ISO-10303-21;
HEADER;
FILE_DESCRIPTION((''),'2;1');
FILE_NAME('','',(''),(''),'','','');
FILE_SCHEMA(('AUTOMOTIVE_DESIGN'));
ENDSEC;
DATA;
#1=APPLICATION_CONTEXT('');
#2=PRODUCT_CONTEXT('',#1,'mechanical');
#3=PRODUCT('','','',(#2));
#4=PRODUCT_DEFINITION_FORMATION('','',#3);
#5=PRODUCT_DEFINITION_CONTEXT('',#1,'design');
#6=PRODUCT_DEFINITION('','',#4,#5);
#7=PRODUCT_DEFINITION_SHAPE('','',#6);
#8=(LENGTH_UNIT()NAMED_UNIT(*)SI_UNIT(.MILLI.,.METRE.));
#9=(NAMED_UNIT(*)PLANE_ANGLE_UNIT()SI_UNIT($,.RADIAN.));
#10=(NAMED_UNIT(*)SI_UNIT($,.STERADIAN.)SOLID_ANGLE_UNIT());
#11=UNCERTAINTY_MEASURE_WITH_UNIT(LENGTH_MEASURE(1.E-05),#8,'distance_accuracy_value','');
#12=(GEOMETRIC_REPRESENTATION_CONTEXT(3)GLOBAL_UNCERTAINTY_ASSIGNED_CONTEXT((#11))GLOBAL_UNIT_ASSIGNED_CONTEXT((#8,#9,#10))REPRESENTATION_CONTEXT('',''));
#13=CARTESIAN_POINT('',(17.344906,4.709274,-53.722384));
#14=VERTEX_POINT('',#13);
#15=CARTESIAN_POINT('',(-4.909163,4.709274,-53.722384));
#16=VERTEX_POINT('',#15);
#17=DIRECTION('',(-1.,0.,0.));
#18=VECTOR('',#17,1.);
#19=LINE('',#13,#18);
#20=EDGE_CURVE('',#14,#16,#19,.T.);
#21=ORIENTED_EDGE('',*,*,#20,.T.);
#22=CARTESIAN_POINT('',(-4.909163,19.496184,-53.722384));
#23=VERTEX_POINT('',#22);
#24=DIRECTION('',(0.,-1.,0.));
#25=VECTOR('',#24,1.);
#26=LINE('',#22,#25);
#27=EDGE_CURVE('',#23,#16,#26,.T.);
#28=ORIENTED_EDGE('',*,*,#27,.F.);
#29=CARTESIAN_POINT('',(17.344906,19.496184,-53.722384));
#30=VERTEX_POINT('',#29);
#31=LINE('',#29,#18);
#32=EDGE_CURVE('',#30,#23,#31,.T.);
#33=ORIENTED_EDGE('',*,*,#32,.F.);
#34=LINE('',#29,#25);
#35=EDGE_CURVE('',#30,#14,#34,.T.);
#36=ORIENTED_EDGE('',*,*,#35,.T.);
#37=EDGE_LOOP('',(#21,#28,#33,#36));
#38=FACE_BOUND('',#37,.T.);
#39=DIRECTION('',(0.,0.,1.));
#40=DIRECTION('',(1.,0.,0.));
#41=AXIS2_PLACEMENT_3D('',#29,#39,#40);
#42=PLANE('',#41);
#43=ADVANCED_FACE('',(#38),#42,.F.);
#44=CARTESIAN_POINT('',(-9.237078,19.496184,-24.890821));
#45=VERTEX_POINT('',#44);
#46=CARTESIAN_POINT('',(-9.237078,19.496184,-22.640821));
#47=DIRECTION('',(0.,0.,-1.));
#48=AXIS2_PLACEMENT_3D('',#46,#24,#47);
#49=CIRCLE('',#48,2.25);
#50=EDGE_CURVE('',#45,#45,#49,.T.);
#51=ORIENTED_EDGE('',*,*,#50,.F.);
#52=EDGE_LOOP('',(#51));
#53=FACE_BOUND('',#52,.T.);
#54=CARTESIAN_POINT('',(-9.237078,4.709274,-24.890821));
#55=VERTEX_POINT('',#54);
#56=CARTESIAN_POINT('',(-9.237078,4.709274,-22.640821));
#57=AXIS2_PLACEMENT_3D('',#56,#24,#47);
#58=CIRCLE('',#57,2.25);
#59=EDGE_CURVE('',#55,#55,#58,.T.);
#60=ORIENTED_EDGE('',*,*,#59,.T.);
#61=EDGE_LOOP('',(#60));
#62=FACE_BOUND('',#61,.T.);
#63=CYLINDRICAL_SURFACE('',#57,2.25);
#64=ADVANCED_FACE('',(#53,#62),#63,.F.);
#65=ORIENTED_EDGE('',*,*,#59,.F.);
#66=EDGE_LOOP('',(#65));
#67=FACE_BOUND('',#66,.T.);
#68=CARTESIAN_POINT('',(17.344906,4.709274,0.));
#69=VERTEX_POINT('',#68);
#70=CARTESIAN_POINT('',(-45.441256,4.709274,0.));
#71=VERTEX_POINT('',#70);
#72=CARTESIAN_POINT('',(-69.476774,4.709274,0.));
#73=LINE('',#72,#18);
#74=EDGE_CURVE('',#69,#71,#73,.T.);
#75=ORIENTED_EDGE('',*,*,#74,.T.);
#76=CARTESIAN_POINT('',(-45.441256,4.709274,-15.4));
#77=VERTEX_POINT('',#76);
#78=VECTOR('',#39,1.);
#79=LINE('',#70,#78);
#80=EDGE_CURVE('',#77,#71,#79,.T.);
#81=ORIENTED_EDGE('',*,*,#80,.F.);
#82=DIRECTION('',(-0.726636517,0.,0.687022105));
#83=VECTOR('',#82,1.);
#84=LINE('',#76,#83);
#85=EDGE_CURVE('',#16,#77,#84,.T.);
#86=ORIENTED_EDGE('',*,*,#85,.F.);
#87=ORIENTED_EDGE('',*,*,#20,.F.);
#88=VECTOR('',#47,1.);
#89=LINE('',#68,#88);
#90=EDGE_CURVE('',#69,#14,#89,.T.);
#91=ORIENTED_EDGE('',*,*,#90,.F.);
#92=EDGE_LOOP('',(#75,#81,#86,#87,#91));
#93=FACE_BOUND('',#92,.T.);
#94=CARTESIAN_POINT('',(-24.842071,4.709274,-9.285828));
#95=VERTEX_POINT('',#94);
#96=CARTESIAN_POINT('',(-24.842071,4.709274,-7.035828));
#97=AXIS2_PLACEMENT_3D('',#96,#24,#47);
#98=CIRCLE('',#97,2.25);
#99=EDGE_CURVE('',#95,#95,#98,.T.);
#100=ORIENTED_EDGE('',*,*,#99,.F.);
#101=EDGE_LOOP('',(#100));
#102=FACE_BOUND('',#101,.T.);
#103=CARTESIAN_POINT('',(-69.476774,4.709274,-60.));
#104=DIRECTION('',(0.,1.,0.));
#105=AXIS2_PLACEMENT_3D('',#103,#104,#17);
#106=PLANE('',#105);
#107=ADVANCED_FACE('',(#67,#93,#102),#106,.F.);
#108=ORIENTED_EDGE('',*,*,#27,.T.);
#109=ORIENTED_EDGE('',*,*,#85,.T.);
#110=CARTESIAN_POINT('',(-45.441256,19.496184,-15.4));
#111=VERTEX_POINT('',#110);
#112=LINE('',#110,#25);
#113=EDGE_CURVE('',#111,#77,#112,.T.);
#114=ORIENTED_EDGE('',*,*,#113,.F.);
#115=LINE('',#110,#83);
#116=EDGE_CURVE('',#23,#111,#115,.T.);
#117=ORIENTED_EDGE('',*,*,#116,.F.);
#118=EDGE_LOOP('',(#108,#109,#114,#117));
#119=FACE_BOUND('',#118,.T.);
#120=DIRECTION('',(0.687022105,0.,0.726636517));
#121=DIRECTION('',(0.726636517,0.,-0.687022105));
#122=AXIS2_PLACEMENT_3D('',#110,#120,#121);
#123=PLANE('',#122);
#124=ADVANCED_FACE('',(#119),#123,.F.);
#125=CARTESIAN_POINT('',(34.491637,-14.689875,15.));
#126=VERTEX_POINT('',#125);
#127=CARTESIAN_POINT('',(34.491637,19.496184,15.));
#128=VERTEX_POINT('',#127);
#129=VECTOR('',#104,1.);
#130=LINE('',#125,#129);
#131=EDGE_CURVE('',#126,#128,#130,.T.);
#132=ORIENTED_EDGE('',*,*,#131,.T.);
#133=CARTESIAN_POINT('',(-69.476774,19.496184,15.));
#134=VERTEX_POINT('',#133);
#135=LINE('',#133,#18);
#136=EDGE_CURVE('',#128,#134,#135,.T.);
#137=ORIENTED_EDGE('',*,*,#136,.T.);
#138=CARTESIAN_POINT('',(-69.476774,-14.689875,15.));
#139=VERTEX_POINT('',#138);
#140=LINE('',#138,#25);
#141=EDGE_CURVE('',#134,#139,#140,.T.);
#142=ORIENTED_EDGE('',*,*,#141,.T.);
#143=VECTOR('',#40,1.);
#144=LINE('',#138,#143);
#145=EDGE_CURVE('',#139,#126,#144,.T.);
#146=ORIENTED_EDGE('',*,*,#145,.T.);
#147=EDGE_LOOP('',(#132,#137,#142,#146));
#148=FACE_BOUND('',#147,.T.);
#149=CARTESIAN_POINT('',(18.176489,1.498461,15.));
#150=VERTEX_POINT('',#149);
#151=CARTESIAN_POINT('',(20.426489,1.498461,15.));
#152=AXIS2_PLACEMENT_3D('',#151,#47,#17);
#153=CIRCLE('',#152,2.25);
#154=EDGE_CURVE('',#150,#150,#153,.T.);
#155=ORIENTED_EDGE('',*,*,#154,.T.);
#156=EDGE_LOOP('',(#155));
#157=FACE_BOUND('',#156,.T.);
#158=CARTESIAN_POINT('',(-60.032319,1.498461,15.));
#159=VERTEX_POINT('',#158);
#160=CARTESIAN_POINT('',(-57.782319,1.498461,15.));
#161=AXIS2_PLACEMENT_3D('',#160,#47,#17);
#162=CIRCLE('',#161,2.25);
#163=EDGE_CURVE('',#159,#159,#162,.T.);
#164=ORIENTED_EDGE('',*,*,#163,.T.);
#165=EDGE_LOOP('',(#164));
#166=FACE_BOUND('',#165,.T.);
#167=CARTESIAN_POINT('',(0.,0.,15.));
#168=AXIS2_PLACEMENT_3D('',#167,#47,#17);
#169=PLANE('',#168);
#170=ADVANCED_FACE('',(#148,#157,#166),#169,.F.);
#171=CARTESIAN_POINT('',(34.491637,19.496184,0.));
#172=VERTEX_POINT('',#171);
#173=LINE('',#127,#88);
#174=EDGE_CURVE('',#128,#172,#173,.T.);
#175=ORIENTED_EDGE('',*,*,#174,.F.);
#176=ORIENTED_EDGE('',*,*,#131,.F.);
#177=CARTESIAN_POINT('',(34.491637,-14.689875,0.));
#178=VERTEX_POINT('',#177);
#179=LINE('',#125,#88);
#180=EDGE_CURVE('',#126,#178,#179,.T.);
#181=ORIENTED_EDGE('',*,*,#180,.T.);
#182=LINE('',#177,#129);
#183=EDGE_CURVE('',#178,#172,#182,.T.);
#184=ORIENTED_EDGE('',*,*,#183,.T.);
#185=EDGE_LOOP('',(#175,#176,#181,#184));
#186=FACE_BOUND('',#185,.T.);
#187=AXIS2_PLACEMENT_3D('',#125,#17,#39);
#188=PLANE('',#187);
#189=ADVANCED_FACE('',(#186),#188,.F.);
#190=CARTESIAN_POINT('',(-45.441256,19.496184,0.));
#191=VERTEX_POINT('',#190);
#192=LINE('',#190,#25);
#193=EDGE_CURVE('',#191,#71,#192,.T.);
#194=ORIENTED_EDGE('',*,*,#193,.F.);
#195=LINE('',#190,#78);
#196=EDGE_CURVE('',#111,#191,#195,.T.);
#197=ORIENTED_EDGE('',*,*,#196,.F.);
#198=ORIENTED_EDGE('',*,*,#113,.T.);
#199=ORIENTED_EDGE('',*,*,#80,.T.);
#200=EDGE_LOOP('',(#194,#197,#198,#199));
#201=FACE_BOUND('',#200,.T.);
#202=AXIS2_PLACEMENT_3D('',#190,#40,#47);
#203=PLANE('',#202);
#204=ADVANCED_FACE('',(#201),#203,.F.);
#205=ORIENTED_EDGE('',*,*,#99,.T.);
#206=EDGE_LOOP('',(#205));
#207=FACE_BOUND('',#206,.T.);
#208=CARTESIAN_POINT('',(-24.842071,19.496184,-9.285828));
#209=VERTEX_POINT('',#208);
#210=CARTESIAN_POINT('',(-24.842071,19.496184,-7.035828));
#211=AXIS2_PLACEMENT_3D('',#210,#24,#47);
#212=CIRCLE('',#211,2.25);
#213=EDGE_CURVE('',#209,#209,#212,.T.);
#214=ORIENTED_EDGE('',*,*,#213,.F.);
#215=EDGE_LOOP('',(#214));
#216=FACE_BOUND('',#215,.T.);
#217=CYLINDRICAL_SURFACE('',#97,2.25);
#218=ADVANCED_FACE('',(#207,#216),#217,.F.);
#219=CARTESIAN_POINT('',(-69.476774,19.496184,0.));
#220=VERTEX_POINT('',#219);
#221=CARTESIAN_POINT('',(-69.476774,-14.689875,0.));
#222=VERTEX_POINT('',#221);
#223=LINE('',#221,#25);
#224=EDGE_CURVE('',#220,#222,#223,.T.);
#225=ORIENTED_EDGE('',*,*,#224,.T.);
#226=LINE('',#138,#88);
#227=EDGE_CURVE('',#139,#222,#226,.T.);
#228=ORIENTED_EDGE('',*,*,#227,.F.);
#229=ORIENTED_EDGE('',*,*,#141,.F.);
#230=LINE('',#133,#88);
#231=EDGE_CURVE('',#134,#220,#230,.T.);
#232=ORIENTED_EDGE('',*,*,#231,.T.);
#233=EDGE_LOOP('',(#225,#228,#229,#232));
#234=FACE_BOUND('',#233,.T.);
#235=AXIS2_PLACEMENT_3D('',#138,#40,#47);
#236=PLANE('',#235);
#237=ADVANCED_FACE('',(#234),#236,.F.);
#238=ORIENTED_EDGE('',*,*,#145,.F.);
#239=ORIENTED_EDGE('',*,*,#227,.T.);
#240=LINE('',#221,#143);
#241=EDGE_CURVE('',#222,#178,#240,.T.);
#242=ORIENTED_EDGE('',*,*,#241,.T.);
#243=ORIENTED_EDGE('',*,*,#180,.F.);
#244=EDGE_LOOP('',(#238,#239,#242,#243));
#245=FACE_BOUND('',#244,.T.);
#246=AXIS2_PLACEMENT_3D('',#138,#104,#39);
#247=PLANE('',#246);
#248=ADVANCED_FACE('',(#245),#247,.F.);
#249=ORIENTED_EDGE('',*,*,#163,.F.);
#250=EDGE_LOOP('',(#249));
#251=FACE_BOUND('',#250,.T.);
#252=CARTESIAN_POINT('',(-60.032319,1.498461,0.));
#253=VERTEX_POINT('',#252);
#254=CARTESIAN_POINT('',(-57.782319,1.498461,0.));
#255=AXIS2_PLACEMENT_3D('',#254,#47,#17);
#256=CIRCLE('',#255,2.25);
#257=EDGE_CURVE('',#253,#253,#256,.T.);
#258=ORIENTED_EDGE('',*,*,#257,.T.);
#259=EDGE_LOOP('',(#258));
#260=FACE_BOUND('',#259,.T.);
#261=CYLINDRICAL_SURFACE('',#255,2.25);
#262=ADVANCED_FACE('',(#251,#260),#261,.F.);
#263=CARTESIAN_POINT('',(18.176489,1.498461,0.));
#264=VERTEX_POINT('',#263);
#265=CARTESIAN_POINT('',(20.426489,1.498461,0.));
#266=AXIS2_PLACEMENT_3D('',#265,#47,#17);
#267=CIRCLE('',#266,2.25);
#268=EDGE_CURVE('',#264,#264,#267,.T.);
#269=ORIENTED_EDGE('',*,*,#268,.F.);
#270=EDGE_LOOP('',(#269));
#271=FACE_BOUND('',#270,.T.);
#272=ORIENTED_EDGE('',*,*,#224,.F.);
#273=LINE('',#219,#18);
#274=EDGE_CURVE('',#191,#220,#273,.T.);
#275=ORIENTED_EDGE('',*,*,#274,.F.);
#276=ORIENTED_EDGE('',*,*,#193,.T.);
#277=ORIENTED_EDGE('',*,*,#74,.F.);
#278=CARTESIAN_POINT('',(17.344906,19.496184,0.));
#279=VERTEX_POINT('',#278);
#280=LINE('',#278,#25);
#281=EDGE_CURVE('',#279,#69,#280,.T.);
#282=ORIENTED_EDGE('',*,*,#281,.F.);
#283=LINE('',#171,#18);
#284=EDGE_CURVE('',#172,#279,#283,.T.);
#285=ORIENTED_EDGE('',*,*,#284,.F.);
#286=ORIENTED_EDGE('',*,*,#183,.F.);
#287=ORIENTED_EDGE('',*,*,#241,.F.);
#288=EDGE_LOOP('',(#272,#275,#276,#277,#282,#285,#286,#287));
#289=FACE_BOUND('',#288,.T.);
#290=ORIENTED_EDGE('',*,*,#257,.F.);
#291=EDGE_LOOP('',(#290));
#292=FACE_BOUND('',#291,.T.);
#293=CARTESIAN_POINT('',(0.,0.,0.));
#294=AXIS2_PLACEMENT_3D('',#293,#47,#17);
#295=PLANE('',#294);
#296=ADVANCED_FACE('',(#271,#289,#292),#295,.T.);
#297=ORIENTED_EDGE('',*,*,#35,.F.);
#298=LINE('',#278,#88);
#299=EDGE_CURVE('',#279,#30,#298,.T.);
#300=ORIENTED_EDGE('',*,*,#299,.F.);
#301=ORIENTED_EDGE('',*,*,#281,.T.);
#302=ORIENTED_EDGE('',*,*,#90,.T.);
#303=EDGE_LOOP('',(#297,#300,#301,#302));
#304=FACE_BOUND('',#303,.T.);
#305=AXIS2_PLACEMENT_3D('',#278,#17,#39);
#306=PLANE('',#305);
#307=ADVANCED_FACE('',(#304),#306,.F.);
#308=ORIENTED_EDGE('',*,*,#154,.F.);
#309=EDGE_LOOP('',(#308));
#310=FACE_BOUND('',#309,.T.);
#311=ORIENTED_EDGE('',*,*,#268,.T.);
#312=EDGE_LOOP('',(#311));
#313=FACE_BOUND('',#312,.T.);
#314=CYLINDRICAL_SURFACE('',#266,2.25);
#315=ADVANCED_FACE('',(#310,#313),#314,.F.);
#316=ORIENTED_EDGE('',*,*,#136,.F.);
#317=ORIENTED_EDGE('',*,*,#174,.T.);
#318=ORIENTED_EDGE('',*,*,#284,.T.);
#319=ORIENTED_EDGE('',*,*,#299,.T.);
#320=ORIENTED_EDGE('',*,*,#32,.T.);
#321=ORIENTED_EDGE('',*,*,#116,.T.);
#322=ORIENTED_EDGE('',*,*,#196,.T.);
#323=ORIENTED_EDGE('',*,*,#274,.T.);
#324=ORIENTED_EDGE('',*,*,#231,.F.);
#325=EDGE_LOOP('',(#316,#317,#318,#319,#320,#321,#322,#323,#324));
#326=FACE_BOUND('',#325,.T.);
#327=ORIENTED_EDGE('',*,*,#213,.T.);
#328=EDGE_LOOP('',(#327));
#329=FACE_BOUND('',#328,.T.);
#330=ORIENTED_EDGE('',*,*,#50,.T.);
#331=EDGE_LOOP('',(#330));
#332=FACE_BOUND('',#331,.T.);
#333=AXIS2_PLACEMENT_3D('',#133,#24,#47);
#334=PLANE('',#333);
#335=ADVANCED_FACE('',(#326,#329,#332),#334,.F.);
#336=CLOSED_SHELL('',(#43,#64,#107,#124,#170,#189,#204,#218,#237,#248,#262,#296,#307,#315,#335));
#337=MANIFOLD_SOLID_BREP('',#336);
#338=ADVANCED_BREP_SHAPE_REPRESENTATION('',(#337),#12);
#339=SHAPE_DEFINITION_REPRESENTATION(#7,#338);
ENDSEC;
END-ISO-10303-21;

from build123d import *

# Parameters (mm, degrees)
SKETCH1_W            = 103.968410754
SKETCH1_H            = 34.186058554
BOSS_EXTRUDE1_DEPTH  = 15
SKETCH2_W            = 103.968410754
SKETCH2_H            = 14.786910166
BOSS_EXTRUDE2_DEPTH  = 60
CUT_EXTRUDE1_DEPTH   = 94.826164315
M4_CLEARANCE_HOLE1_D = 4.5
M4_CLEARANCE_HOLE2_D = 4.5


with BuildPart() as part:
    # Sketch1 → Boss-Extrude1 (new body)
    with BuildSketch(Plane.XY):
        with Locations((-17.492568813, 2.403154481)):
            Rectangle(SKETCH1_W, SKETCH1_H)
    extrude(amount=BOSS_EXTRUDE1_DEPTH)

    # Sketch2 → Boss-Extrude2 (add)
    with BuildSketch(Plane(origin=(0, 0, 0), x_dir=(-1, 0, 0), z_dir=(0, 0, -1))):
        with Locations((17.492568813, 12.102728675)):
            Rectangle(SKETCH2_W, SKETCH2_H)
    extrude(amount=BOSS_EXTRUDE2_DEPTH)

    # Sketch3 → Cut-Extrude1 (cut, through all)
    with BuildSketch(Plane.XZ.offset(-4.709273592)):
        Polygon((-45.441256031, 0), (-45.441256031, -15.4), (-4.909163254, -53.722384085), (17.34490568, -53.722384085), (17.34490568, 0), (34.491636564, 0), (34.491636564, -60), (-69.47677419, -60), (-69.47677419, 0), align=None)
    extrude(amount=-CUT_EXTRUDE1_DEPTH, mode=Mode.SUBTRACT)

    # M4 Clearance Hole1 (through all)
    with Locations(Plane(origin=(-9.237078097, 4.709273592, -22.640821114), x_dir=(-1, 0, 0), z_dir=(0, -1, 0))):
        with Locations((0, 0), (15.604992815, -15.604992814)):
            Hole(M4_CLEARANCE_HOLE1_D / 2)

    # M4 Clearance Hole2 (through all)
    with Locations(Plane(origin=(-57.782319431, 1.498461161, 0), x_dir=(-1, 0, 0), z_dir=(0, 0, -1))):
        with Locations((0, 0), (-78.208808727, 0)):
            Hole(M4_CLEARANCE_HOLE2_D / 2)


solid = part.part
